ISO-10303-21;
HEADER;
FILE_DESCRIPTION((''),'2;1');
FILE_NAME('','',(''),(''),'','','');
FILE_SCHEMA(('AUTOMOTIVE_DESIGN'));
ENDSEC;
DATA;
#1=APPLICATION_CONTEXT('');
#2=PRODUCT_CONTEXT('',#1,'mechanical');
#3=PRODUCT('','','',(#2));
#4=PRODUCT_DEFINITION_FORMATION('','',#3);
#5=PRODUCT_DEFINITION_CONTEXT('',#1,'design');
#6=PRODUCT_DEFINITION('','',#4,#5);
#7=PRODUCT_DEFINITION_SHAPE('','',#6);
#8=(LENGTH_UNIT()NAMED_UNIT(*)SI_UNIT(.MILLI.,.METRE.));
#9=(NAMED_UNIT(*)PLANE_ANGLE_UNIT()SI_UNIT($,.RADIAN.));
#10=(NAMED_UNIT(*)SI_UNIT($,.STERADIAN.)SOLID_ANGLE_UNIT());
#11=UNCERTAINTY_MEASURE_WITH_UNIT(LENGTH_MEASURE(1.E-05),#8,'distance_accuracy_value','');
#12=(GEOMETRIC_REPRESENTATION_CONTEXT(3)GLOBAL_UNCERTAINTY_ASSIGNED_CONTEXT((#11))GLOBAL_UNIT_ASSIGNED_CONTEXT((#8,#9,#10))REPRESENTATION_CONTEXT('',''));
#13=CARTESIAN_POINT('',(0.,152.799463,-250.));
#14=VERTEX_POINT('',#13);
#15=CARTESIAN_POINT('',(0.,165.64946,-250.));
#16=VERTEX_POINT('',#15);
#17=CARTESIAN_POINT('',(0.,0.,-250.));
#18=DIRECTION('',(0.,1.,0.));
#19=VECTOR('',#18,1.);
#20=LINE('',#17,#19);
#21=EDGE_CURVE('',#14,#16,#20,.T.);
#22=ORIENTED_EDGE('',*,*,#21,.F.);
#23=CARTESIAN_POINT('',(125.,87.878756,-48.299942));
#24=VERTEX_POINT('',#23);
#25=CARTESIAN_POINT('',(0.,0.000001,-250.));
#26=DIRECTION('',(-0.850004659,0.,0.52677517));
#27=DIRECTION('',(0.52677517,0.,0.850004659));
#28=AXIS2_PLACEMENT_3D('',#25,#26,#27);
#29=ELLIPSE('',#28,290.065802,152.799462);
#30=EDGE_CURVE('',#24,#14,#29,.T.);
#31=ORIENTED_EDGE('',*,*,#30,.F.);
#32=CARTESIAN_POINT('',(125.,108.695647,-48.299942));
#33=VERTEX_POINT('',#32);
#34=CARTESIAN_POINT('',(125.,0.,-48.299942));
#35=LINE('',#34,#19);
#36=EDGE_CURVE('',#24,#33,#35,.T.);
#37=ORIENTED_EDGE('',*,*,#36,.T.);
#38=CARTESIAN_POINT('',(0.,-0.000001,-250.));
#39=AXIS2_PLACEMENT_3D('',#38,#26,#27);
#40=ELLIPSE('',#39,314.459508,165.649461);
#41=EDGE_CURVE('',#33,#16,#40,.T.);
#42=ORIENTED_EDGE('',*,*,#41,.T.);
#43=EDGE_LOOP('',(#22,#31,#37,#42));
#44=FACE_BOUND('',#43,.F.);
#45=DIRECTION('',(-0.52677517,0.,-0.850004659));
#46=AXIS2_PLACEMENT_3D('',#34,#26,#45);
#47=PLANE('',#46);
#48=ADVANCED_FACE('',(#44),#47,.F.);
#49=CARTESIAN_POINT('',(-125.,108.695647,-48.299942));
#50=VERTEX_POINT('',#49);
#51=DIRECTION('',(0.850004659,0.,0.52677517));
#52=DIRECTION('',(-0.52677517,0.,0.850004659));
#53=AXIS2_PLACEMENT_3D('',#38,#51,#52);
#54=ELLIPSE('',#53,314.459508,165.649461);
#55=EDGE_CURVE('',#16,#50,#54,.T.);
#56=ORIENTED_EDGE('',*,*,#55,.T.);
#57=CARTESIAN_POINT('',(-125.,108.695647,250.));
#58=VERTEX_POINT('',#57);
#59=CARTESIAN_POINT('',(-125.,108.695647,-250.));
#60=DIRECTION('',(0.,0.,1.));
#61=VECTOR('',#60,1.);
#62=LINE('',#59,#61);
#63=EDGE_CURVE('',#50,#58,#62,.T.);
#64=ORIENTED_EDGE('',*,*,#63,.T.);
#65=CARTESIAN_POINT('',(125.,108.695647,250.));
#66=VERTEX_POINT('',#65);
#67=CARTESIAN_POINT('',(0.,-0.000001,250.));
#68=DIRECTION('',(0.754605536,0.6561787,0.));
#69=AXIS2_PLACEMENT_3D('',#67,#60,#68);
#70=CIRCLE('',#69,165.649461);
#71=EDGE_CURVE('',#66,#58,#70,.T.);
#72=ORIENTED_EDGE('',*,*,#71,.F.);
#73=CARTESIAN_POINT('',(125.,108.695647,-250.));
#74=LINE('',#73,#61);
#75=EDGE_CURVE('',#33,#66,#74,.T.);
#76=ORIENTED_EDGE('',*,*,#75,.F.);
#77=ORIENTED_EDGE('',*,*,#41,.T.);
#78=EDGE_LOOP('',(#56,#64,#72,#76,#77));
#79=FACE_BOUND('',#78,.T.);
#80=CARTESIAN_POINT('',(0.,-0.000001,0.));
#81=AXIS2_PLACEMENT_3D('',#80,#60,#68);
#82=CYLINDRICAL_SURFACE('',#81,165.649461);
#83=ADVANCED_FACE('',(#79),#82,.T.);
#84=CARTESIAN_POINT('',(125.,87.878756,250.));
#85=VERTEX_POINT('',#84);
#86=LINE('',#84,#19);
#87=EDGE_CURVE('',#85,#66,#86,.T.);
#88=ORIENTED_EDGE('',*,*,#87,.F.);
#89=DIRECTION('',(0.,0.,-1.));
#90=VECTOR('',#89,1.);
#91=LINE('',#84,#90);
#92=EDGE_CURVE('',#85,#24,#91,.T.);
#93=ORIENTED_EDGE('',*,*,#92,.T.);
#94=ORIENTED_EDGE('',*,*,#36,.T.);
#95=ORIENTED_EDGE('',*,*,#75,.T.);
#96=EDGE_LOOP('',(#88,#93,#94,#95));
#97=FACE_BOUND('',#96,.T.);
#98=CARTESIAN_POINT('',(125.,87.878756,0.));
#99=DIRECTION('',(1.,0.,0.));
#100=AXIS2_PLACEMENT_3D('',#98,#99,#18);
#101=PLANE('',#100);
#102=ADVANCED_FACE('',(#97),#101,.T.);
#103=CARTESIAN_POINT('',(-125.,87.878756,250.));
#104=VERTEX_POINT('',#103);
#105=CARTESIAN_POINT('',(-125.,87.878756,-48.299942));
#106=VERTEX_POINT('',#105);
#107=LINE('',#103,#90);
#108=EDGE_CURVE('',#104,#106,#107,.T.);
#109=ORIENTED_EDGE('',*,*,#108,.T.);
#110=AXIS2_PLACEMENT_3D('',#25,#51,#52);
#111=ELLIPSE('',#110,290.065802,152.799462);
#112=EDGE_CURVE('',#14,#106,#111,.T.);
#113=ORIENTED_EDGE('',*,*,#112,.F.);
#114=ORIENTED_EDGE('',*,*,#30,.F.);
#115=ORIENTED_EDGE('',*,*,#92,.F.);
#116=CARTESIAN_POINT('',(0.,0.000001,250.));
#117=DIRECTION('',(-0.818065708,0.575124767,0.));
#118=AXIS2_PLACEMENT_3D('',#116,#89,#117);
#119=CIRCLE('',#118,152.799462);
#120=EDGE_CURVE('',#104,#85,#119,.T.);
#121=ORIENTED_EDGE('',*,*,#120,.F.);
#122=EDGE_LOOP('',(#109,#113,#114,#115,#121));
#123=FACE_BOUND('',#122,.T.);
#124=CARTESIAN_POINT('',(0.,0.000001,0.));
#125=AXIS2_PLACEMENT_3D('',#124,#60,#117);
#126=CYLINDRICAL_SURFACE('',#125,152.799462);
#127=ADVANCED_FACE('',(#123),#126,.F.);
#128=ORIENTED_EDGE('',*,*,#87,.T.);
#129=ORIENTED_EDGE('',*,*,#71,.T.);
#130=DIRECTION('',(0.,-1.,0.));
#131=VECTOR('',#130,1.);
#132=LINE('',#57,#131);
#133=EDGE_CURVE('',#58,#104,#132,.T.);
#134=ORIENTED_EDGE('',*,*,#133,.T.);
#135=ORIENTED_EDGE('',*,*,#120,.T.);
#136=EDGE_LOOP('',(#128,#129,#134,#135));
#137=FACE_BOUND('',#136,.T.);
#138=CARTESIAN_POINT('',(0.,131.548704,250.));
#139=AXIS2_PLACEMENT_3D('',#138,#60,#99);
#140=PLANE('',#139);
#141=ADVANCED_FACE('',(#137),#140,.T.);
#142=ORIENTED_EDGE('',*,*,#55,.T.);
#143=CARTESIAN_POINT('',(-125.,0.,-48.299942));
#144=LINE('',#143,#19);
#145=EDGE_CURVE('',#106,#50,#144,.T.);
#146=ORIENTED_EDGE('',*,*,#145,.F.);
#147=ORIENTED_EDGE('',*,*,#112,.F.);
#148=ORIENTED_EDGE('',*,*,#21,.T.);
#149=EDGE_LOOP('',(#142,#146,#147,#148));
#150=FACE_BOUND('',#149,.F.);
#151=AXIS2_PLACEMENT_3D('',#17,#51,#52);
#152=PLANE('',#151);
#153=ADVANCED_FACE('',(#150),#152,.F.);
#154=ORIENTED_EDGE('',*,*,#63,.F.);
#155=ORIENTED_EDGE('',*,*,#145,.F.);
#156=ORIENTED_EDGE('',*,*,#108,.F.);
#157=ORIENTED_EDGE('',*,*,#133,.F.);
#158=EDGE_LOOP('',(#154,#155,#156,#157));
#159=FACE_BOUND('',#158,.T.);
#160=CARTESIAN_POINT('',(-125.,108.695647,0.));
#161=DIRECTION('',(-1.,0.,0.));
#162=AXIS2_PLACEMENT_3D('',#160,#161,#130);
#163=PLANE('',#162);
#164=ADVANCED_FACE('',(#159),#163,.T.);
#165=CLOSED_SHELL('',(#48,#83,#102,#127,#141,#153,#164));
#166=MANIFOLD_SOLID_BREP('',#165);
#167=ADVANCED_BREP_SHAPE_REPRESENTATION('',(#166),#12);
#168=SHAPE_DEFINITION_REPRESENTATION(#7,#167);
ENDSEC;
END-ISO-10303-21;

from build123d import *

# Parameters (mm, degrees)
F1_DEPTH      = 250
F1_DEPTH_BACK = 250
F3_DEPTH      = 165.65046


with BuildPart() as f1:
    # F0 (on Top) → F1 (new body, two sides)
    with BuildSketch(Plane.XY) as f1_sk:
        with BuildLine():
            Line((125, 87.878756), (125, 108.695647))
            ThreePointArc((125, 108.695647), (0, 165.64946), (-125, 108.695647))
            Line((-125, 108.695647), (-125, 87.878756))
            ThreePointArc((-125, 87.878756), (0, 152.799463), (125, 87.878756))
        make_face()
    extrude(amount=F1_DEPTH)
    extrude(f1_sk.sketch, amount=-F1_DEPTH_BACK)

    # F2 (on Front) → F3 (cut, through all)
    with BuildSketch(Plane.XZ):
        Polygon((-125, -250.156015), (0, -250), (-125, -48.299942), align=None)
        Polygon((125, -250), (125, -48.299942), (0, -250), align=None)
    extrude(amount=-F3_DEPTH, mode=Mode.SUBTRACT)


solid = f1.part
